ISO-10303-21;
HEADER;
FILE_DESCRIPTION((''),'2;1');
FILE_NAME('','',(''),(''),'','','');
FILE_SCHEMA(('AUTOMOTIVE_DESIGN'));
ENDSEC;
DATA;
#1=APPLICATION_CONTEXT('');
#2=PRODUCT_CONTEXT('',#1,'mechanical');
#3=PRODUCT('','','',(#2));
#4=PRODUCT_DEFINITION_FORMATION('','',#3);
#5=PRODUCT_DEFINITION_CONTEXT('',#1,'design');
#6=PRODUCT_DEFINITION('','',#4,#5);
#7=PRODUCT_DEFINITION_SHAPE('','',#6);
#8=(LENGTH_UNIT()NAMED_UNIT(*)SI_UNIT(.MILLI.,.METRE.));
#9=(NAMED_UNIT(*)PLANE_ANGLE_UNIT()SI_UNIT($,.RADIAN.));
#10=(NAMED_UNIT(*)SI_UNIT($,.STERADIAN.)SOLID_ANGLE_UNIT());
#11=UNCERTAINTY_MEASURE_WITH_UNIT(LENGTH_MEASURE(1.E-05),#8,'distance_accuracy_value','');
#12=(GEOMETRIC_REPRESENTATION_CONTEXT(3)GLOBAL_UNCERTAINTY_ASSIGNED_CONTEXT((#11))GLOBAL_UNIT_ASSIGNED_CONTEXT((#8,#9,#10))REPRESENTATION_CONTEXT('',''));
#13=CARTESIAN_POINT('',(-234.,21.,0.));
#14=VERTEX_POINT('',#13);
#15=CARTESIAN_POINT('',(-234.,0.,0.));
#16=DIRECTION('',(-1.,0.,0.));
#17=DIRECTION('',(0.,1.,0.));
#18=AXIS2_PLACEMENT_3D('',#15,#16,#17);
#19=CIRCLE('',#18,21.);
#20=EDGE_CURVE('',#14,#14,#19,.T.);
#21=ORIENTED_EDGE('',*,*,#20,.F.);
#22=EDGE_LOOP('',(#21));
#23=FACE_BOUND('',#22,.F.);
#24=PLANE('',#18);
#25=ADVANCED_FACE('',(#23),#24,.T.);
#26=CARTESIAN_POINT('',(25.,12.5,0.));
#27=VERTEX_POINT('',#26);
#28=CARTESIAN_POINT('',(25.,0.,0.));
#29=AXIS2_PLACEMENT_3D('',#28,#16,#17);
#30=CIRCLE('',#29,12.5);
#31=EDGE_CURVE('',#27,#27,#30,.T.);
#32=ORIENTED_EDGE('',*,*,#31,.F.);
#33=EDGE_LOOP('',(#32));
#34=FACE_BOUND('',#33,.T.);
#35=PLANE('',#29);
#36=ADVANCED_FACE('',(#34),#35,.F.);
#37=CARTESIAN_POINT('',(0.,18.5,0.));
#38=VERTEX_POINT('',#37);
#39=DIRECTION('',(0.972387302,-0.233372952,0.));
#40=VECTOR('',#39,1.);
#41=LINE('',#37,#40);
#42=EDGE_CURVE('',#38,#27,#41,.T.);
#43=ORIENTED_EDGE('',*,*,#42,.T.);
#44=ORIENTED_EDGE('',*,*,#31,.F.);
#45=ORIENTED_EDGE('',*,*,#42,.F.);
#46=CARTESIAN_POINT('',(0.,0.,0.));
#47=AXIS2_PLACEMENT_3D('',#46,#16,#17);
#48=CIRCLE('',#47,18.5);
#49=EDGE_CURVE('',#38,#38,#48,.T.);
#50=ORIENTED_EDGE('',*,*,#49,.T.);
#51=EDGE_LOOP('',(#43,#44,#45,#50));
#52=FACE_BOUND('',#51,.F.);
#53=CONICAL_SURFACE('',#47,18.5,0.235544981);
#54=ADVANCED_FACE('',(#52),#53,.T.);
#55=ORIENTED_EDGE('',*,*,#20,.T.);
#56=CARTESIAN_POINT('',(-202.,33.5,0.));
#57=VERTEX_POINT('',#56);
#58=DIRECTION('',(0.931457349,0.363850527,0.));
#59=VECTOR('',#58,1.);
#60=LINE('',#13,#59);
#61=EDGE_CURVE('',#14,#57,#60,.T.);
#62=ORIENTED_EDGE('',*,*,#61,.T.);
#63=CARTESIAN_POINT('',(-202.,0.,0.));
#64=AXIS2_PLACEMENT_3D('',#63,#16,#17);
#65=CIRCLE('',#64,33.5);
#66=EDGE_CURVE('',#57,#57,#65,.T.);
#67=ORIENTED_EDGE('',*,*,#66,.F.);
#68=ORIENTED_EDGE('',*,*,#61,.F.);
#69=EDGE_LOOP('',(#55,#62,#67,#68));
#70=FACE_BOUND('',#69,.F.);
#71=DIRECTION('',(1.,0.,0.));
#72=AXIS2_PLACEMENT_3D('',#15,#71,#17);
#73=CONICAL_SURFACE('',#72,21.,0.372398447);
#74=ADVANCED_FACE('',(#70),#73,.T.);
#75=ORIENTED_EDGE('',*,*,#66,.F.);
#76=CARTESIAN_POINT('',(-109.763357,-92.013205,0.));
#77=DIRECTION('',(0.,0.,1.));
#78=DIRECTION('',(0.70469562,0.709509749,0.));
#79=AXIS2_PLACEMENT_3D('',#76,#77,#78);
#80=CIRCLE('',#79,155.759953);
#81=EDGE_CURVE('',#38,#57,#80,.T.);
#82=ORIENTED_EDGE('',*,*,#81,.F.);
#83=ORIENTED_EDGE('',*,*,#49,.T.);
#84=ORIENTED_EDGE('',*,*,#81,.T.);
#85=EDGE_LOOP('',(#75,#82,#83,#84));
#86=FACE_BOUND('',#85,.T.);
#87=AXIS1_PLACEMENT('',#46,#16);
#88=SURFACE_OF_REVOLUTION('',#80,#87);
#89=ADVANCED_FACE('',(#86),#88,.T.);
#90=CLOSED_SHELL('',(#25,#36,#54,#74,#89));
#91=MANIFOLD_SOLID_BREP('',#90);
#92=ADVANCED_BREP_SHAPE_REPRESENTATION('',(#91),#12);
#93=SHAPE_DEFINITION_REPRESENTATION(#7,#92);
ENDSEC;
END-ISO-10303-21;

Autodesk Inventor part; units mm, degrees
ref_plane "YZ Plane" through (0, 0, 0) normal (1, 0, 0) x (0, 1, 0)
ref_plane "XZ Plane" through (0, 0, 0) normal (0, 1, 0) x (-1, 0, 0)
ref_plane "XY Plane" through (0, 0, 0) normal (0, 0, 1) x (1, 0, 0)
sketch "Sketch1" plane through (0, 0, 0) normal (0, 0, 1) x (1, 0, 0)
  line L0 (0, 0) -> (-202, 0)
  line L1 (-101, 0) -> (-101, 63.5) construction
  line L2 (-202, 0) -> (-202, 33.5) construction
  line L3 (0, 0) -> (0, 18.5) construction
  arc A0 (0, 18.5) -> (-202, 33.5) centre (-109.7634, -92.0133) ccw
  line L4 (-202, 0) -> (-234, 0)
  line L5 (-234, 0) -> (-234, 21)
  line L6 (-234, 21) -> (-202, 33.5)
  line L7 (0, 0) -> (25, 0)
  line L8 (25, 0) -> (25, 12.5)
  line L9 (0, 18.5) -> (25, 12.5)
  dimension "d0" = 202
  dimension "d1" = 63.5
  dimension "d2" = 33.5
  dimension "d3" = 18.5
  dimension "d4" = 32
  dimension "d5" = 21
  dimension "d6" = 25
  dimension "d7" = 12.5
revolve "Revolution1" add sketch "Sketch1" angle 360 about axis through (0, 0, 0) along (-1, 0, 0)
properties part number "Armbu"
